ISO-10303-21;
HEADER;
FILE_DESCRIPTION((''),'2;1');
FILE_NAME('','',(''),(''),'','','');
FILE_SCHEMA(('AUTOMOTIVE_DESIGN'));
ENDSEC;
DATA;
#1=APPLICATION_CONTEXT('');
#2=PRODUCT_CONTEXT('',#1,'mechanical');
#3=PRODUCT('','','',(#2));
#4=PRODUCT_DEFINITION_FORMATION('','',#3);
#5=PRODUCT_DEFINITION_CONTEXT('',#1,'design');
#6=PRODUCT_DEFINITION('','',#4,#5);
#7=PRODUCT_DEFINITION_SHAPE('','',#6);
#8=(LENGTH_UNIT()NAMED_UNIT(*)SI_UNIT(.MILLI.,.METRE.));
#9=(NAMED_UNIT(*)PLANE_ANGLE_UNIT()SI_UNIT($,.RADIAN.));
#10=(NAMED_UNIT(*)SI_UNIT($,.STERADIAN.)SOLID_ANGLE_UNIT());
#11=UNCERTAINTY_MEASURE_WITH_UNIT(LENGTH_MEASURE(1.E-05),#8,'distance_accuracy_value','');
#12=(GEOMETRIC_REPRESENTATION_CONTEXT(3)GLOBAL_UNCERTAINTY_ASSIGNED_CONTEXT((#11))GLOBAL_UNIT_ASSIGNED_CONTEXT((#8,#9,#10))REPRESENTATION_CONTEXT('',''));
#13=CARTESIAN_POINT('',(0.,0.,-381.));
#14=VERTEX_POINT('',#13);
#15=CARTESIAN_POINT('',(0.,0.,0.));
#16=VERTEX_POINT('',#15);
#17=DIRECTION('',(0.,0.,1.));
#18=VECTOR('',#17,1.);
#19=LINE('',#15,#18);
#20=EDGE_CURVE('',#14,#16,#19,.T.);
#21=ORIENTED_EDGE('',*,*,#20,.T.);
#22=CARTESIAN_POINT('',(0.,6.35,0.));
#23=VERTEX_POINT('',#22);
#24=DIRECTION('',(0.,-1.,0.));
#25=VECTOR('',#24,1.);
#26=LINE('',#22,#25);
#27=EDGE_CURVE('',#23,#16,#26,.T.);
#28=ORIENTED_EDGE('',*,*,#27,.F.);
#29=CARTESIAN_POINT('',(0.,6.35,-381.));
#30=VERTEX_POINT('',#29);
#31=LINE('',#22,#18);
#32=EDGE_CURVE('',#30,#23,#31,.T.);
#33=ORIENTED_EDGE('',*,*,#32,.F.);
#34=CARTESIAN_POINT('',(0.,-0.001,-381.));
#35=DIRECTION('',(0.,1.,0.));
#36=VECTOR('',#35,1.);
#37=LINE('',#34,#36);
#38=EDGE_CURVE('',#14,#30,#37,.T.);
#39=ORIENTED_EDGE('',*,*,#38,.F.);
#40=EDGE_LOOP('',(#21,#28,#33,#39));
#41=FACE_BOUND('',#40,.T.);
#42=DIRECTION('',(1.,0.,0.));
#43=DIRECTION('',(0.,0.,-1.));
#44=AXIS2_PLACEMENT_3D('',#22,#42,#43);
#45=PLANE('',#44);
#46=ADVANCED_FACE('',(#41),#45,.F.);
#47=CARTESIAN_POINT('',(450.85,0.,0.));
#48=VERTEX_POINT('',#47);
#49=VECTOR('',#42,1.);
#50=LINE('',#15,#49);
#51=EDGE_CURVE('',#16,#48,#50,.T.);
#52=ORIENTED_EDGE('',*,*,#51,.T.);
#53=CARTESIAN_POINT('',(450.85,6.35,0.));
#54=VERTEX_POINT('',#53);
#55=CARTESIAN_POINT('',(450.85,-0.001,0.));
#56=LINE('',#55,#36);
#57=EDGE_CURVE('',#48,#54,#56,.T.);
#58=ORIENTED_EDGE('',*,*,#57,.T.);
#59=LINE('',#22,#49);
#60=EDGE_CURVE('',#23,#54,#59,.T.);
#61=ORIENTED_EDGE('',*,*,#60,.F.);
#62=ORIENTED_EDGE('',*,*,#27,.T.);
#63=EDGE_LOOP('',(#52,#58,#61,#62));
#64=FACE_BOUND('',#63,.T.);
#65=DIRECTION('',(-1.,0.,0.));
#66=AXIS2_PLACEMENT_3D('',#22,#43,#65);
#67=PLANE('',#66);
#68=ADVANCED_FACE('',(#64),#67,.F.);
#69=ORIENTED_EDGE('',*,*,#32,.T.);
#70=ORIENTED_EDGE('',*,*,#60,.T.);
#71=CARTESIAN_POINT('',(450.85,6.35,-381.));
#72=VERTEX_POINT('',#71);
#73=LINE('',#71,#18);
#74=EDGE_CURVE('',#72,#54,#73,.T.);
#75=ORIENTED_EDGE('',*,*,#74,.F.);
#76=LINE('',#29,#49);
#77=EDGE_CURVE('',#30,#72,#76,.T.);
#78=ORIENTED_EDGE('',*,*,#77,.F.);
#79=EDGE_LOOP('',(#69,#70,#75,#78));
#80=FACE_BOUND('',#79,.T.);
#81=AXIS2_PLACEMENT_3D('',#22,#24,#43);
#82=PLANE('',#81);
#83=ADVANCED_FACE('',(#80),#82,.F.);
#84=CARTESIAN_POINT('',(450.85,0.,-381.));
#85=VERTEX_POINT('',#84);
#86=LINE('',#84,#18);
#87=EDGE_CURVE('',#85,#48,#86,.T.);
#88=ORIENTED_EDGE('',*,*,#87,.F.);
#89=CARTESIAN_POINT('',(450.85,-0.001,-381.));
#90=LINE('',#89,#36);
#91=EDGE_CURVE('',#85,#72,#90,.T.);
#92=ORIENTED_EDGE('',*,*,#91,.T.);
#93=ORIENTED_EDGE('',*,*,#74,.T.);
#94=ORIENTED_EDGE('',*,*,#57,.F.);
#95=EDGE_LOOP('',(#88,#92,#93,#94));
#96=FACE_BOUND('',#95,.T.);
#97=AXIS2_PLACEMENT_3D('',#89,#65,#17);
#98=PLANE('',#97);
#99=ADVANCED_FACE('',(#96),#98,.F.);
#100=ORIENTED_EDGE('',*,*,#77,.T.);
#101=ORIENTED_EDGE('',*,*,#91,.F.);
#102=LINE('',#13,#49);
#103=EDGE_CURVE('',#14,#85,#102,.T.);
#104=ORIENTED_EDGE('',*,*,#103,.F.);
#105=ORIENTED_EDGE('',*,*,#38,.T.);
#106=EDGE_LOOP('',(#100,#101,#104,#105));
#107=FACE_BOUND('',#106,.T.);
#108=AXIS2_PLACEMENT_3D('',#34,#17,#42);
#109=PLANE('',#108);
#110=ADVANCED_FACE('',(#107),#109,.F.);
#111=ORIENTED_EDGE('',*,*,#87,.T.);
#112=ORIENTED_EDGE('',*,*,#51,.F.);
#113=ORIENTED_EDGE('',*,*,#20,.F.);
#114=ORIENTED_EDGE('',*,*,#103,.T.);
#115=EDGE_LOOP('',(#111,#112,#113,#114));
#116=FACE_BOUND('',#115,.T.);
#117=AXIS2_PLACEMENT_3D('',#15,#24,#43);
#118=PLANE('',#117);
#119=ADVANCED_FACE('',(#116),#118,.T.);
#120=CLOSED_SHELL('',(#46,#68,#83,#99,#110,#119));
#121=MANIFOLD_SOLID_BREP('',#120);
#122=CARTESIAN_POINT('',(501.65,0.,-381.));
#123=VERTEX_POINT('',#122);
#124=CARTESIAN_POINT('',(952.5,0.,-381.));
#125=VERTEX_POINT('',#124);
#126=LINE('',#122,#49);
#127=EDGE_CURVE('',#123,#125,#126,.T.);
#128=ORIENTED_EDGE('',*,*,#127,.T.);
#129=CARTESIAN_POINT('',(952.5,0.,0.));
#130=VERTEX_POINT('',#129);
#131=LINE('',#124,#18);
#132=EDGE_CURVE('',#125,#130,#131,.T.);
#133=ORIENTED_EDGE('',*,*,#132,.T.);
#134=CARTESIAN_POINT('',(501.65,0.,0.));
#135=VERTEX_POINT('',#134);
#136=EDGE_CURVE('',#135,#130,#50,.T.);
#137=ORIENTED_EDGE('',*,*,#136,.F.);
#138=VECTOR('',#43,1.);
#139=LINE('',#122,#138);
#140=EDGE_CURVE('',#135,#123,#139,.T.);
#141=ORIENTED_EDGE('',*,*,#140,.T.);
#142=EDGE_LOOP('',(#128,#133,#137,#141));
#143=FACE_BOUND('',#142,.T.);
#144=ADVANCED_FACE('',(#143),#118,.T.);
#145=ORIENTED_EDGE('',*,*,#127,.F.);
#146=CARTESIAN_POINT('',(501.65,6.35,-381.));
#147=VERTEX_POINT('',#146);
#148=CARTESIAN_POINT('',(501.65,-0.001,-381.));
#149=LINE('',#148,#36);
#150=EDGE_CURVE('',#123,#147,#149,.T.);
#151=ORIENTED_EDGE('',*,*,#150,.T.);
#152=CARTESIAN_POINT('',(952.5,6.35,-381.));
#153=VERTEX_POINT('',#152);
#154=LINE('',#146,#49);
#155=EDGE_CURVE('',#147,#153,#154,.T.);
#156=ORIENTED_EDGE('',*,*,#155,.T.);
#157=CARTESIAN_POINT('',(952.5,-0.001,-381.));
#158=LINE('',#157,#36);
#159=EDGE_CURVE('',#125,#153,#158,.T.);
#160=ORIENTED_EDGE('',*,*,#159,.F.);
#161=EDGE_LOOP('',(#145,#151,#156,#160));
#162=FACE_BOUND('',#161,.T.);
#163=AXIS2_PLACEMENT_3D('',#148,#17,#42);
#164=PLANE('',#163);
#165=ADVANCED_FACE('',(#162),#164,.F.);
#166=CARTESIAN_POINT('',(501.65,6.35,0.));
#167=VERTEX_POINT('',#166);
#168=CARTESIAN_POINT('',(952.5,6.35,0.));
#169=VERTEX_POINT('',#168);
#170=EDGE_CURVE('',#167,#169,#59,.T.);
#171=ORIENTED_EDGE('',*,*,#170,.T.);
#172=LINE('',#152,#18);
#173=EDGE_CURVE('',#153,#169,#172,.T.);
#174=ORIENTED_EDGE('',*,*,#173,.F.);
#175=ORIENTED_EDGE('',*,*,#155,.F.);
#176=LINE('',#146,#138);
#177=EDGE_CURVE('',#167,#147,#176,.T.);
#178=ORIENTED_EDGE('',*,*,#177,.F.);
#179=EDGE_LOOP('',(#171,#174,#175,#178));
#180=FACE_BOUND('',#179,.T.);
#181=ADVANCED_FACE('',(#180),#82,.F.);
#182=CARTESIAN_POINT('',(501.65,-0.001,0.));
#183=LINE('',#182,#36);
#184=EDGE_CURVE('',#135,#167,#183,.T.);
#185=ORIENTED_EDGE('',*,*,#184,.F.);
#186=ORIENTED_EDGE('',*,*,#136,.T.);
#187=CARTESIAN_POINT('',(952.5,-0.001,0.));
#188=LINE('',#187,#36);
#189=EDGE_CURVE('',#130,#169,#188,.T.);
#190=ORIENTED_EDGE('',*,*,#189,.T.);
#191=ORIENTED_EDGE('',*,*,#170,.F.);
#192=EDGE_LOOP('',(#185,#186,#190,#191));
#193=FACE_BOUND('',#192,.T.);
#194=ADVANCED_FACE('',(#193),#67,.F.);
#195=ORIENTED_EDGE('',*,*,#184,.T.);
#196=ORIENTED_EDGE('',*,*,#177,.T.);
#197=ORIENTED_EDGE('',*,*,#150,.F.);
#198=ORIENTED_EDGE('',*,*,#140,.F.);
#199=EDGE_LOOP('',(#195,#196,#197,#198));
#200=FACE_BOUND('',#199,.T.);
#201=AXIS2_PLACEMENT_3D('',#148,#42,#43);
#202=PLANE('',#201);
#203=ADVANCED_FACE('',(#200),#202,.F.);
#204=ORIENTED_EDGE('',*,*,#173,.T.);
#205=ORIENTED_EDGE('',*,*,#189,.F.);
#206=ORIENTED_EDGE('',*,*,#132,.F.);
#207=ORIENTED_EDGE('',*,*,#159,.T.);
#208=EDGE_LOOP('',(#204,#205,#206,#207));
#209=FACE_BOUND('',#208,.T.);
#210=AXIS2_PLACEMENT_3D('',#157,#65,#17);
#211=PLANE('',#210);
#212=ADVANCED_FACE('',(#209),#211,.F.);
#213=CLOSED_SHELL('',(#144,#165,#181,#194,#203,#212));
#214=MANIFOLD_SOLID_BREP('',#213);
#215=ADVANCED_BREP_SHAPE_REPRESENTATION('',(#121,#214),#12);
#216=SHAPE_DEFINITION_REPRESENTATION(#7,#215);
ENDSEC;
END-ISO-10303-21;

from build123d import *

# Parameters (mm, degrees)
SKETCH1_W           = 1219.2
SKETCH1_H           = 609.6
BOSS_EXTRUDE1_DEPTH = 6.35
CUT_EXTRUDE1_REACH  = 1365.122


with BuildPart() as part:
    # Sketch1 → Boss-Extrude1 (new body)
    with BuildSketch(Plane(origin=(0, 0, 0), x_dir=(1, 0, 0), z_dir=(0, 1, 0))):
        with Locations((609.6, 304.8)):
            Rectangle(SKETCH1_W, SKETCH1_H)
    extrude(amount=BOSS_EXTRUDE1_DEPTH)

    # Sketch7 → Cut-Extrude1 (cut, up to next)
    with BuildSketch(Plane(origin=(0, 6.35, 0), x_dir=(1, 0, 0), z_dir=(0, 1, 0)), mode=Mode.PRIVATE) as cut_extrude1_sk1:
        Polygon((501.65, 381), (952.5, 381), (952.5, 0), (1219.2, 0), (1219.2, 381), (1219.2, 609.6), (0, 609.6), (0, 381), (450.85, 381), (450.85, 0), (501.65, 0), align=None)
    cut_extrude1_tool1 = extrude(cut_extrude1_sk1.sketch, amount=-CUT_EXTRUDE1_REACH, mode=Mode.PRIVATE) & part.part
    add(cut_extrude1_tool1.solids().sort_by_distance((724.222881, 6.35, -403.048184))[0], mode=Mode.SUBTRACT)


with BuildPart() as cut_extrude1_piece_1:
    # of the separate pieces the step leaves, piece 1, a body of its own (cut_extrude1_pieces)
    add(part.part.solids().sort_by_distance((0, 0, 0))[0])


with BuildPart() as cut_extrude1_piece_2:
    # of the separate pieces the step leaves, piece 2, a body of its own (cut_extrude1_pieces)
    add(part.part.solids().sort_by_distance((501.65, 0, 0))[0])


solid = Compound([cut_extrude1_piece_1.part, cut_extrude1_piece_2.part])
